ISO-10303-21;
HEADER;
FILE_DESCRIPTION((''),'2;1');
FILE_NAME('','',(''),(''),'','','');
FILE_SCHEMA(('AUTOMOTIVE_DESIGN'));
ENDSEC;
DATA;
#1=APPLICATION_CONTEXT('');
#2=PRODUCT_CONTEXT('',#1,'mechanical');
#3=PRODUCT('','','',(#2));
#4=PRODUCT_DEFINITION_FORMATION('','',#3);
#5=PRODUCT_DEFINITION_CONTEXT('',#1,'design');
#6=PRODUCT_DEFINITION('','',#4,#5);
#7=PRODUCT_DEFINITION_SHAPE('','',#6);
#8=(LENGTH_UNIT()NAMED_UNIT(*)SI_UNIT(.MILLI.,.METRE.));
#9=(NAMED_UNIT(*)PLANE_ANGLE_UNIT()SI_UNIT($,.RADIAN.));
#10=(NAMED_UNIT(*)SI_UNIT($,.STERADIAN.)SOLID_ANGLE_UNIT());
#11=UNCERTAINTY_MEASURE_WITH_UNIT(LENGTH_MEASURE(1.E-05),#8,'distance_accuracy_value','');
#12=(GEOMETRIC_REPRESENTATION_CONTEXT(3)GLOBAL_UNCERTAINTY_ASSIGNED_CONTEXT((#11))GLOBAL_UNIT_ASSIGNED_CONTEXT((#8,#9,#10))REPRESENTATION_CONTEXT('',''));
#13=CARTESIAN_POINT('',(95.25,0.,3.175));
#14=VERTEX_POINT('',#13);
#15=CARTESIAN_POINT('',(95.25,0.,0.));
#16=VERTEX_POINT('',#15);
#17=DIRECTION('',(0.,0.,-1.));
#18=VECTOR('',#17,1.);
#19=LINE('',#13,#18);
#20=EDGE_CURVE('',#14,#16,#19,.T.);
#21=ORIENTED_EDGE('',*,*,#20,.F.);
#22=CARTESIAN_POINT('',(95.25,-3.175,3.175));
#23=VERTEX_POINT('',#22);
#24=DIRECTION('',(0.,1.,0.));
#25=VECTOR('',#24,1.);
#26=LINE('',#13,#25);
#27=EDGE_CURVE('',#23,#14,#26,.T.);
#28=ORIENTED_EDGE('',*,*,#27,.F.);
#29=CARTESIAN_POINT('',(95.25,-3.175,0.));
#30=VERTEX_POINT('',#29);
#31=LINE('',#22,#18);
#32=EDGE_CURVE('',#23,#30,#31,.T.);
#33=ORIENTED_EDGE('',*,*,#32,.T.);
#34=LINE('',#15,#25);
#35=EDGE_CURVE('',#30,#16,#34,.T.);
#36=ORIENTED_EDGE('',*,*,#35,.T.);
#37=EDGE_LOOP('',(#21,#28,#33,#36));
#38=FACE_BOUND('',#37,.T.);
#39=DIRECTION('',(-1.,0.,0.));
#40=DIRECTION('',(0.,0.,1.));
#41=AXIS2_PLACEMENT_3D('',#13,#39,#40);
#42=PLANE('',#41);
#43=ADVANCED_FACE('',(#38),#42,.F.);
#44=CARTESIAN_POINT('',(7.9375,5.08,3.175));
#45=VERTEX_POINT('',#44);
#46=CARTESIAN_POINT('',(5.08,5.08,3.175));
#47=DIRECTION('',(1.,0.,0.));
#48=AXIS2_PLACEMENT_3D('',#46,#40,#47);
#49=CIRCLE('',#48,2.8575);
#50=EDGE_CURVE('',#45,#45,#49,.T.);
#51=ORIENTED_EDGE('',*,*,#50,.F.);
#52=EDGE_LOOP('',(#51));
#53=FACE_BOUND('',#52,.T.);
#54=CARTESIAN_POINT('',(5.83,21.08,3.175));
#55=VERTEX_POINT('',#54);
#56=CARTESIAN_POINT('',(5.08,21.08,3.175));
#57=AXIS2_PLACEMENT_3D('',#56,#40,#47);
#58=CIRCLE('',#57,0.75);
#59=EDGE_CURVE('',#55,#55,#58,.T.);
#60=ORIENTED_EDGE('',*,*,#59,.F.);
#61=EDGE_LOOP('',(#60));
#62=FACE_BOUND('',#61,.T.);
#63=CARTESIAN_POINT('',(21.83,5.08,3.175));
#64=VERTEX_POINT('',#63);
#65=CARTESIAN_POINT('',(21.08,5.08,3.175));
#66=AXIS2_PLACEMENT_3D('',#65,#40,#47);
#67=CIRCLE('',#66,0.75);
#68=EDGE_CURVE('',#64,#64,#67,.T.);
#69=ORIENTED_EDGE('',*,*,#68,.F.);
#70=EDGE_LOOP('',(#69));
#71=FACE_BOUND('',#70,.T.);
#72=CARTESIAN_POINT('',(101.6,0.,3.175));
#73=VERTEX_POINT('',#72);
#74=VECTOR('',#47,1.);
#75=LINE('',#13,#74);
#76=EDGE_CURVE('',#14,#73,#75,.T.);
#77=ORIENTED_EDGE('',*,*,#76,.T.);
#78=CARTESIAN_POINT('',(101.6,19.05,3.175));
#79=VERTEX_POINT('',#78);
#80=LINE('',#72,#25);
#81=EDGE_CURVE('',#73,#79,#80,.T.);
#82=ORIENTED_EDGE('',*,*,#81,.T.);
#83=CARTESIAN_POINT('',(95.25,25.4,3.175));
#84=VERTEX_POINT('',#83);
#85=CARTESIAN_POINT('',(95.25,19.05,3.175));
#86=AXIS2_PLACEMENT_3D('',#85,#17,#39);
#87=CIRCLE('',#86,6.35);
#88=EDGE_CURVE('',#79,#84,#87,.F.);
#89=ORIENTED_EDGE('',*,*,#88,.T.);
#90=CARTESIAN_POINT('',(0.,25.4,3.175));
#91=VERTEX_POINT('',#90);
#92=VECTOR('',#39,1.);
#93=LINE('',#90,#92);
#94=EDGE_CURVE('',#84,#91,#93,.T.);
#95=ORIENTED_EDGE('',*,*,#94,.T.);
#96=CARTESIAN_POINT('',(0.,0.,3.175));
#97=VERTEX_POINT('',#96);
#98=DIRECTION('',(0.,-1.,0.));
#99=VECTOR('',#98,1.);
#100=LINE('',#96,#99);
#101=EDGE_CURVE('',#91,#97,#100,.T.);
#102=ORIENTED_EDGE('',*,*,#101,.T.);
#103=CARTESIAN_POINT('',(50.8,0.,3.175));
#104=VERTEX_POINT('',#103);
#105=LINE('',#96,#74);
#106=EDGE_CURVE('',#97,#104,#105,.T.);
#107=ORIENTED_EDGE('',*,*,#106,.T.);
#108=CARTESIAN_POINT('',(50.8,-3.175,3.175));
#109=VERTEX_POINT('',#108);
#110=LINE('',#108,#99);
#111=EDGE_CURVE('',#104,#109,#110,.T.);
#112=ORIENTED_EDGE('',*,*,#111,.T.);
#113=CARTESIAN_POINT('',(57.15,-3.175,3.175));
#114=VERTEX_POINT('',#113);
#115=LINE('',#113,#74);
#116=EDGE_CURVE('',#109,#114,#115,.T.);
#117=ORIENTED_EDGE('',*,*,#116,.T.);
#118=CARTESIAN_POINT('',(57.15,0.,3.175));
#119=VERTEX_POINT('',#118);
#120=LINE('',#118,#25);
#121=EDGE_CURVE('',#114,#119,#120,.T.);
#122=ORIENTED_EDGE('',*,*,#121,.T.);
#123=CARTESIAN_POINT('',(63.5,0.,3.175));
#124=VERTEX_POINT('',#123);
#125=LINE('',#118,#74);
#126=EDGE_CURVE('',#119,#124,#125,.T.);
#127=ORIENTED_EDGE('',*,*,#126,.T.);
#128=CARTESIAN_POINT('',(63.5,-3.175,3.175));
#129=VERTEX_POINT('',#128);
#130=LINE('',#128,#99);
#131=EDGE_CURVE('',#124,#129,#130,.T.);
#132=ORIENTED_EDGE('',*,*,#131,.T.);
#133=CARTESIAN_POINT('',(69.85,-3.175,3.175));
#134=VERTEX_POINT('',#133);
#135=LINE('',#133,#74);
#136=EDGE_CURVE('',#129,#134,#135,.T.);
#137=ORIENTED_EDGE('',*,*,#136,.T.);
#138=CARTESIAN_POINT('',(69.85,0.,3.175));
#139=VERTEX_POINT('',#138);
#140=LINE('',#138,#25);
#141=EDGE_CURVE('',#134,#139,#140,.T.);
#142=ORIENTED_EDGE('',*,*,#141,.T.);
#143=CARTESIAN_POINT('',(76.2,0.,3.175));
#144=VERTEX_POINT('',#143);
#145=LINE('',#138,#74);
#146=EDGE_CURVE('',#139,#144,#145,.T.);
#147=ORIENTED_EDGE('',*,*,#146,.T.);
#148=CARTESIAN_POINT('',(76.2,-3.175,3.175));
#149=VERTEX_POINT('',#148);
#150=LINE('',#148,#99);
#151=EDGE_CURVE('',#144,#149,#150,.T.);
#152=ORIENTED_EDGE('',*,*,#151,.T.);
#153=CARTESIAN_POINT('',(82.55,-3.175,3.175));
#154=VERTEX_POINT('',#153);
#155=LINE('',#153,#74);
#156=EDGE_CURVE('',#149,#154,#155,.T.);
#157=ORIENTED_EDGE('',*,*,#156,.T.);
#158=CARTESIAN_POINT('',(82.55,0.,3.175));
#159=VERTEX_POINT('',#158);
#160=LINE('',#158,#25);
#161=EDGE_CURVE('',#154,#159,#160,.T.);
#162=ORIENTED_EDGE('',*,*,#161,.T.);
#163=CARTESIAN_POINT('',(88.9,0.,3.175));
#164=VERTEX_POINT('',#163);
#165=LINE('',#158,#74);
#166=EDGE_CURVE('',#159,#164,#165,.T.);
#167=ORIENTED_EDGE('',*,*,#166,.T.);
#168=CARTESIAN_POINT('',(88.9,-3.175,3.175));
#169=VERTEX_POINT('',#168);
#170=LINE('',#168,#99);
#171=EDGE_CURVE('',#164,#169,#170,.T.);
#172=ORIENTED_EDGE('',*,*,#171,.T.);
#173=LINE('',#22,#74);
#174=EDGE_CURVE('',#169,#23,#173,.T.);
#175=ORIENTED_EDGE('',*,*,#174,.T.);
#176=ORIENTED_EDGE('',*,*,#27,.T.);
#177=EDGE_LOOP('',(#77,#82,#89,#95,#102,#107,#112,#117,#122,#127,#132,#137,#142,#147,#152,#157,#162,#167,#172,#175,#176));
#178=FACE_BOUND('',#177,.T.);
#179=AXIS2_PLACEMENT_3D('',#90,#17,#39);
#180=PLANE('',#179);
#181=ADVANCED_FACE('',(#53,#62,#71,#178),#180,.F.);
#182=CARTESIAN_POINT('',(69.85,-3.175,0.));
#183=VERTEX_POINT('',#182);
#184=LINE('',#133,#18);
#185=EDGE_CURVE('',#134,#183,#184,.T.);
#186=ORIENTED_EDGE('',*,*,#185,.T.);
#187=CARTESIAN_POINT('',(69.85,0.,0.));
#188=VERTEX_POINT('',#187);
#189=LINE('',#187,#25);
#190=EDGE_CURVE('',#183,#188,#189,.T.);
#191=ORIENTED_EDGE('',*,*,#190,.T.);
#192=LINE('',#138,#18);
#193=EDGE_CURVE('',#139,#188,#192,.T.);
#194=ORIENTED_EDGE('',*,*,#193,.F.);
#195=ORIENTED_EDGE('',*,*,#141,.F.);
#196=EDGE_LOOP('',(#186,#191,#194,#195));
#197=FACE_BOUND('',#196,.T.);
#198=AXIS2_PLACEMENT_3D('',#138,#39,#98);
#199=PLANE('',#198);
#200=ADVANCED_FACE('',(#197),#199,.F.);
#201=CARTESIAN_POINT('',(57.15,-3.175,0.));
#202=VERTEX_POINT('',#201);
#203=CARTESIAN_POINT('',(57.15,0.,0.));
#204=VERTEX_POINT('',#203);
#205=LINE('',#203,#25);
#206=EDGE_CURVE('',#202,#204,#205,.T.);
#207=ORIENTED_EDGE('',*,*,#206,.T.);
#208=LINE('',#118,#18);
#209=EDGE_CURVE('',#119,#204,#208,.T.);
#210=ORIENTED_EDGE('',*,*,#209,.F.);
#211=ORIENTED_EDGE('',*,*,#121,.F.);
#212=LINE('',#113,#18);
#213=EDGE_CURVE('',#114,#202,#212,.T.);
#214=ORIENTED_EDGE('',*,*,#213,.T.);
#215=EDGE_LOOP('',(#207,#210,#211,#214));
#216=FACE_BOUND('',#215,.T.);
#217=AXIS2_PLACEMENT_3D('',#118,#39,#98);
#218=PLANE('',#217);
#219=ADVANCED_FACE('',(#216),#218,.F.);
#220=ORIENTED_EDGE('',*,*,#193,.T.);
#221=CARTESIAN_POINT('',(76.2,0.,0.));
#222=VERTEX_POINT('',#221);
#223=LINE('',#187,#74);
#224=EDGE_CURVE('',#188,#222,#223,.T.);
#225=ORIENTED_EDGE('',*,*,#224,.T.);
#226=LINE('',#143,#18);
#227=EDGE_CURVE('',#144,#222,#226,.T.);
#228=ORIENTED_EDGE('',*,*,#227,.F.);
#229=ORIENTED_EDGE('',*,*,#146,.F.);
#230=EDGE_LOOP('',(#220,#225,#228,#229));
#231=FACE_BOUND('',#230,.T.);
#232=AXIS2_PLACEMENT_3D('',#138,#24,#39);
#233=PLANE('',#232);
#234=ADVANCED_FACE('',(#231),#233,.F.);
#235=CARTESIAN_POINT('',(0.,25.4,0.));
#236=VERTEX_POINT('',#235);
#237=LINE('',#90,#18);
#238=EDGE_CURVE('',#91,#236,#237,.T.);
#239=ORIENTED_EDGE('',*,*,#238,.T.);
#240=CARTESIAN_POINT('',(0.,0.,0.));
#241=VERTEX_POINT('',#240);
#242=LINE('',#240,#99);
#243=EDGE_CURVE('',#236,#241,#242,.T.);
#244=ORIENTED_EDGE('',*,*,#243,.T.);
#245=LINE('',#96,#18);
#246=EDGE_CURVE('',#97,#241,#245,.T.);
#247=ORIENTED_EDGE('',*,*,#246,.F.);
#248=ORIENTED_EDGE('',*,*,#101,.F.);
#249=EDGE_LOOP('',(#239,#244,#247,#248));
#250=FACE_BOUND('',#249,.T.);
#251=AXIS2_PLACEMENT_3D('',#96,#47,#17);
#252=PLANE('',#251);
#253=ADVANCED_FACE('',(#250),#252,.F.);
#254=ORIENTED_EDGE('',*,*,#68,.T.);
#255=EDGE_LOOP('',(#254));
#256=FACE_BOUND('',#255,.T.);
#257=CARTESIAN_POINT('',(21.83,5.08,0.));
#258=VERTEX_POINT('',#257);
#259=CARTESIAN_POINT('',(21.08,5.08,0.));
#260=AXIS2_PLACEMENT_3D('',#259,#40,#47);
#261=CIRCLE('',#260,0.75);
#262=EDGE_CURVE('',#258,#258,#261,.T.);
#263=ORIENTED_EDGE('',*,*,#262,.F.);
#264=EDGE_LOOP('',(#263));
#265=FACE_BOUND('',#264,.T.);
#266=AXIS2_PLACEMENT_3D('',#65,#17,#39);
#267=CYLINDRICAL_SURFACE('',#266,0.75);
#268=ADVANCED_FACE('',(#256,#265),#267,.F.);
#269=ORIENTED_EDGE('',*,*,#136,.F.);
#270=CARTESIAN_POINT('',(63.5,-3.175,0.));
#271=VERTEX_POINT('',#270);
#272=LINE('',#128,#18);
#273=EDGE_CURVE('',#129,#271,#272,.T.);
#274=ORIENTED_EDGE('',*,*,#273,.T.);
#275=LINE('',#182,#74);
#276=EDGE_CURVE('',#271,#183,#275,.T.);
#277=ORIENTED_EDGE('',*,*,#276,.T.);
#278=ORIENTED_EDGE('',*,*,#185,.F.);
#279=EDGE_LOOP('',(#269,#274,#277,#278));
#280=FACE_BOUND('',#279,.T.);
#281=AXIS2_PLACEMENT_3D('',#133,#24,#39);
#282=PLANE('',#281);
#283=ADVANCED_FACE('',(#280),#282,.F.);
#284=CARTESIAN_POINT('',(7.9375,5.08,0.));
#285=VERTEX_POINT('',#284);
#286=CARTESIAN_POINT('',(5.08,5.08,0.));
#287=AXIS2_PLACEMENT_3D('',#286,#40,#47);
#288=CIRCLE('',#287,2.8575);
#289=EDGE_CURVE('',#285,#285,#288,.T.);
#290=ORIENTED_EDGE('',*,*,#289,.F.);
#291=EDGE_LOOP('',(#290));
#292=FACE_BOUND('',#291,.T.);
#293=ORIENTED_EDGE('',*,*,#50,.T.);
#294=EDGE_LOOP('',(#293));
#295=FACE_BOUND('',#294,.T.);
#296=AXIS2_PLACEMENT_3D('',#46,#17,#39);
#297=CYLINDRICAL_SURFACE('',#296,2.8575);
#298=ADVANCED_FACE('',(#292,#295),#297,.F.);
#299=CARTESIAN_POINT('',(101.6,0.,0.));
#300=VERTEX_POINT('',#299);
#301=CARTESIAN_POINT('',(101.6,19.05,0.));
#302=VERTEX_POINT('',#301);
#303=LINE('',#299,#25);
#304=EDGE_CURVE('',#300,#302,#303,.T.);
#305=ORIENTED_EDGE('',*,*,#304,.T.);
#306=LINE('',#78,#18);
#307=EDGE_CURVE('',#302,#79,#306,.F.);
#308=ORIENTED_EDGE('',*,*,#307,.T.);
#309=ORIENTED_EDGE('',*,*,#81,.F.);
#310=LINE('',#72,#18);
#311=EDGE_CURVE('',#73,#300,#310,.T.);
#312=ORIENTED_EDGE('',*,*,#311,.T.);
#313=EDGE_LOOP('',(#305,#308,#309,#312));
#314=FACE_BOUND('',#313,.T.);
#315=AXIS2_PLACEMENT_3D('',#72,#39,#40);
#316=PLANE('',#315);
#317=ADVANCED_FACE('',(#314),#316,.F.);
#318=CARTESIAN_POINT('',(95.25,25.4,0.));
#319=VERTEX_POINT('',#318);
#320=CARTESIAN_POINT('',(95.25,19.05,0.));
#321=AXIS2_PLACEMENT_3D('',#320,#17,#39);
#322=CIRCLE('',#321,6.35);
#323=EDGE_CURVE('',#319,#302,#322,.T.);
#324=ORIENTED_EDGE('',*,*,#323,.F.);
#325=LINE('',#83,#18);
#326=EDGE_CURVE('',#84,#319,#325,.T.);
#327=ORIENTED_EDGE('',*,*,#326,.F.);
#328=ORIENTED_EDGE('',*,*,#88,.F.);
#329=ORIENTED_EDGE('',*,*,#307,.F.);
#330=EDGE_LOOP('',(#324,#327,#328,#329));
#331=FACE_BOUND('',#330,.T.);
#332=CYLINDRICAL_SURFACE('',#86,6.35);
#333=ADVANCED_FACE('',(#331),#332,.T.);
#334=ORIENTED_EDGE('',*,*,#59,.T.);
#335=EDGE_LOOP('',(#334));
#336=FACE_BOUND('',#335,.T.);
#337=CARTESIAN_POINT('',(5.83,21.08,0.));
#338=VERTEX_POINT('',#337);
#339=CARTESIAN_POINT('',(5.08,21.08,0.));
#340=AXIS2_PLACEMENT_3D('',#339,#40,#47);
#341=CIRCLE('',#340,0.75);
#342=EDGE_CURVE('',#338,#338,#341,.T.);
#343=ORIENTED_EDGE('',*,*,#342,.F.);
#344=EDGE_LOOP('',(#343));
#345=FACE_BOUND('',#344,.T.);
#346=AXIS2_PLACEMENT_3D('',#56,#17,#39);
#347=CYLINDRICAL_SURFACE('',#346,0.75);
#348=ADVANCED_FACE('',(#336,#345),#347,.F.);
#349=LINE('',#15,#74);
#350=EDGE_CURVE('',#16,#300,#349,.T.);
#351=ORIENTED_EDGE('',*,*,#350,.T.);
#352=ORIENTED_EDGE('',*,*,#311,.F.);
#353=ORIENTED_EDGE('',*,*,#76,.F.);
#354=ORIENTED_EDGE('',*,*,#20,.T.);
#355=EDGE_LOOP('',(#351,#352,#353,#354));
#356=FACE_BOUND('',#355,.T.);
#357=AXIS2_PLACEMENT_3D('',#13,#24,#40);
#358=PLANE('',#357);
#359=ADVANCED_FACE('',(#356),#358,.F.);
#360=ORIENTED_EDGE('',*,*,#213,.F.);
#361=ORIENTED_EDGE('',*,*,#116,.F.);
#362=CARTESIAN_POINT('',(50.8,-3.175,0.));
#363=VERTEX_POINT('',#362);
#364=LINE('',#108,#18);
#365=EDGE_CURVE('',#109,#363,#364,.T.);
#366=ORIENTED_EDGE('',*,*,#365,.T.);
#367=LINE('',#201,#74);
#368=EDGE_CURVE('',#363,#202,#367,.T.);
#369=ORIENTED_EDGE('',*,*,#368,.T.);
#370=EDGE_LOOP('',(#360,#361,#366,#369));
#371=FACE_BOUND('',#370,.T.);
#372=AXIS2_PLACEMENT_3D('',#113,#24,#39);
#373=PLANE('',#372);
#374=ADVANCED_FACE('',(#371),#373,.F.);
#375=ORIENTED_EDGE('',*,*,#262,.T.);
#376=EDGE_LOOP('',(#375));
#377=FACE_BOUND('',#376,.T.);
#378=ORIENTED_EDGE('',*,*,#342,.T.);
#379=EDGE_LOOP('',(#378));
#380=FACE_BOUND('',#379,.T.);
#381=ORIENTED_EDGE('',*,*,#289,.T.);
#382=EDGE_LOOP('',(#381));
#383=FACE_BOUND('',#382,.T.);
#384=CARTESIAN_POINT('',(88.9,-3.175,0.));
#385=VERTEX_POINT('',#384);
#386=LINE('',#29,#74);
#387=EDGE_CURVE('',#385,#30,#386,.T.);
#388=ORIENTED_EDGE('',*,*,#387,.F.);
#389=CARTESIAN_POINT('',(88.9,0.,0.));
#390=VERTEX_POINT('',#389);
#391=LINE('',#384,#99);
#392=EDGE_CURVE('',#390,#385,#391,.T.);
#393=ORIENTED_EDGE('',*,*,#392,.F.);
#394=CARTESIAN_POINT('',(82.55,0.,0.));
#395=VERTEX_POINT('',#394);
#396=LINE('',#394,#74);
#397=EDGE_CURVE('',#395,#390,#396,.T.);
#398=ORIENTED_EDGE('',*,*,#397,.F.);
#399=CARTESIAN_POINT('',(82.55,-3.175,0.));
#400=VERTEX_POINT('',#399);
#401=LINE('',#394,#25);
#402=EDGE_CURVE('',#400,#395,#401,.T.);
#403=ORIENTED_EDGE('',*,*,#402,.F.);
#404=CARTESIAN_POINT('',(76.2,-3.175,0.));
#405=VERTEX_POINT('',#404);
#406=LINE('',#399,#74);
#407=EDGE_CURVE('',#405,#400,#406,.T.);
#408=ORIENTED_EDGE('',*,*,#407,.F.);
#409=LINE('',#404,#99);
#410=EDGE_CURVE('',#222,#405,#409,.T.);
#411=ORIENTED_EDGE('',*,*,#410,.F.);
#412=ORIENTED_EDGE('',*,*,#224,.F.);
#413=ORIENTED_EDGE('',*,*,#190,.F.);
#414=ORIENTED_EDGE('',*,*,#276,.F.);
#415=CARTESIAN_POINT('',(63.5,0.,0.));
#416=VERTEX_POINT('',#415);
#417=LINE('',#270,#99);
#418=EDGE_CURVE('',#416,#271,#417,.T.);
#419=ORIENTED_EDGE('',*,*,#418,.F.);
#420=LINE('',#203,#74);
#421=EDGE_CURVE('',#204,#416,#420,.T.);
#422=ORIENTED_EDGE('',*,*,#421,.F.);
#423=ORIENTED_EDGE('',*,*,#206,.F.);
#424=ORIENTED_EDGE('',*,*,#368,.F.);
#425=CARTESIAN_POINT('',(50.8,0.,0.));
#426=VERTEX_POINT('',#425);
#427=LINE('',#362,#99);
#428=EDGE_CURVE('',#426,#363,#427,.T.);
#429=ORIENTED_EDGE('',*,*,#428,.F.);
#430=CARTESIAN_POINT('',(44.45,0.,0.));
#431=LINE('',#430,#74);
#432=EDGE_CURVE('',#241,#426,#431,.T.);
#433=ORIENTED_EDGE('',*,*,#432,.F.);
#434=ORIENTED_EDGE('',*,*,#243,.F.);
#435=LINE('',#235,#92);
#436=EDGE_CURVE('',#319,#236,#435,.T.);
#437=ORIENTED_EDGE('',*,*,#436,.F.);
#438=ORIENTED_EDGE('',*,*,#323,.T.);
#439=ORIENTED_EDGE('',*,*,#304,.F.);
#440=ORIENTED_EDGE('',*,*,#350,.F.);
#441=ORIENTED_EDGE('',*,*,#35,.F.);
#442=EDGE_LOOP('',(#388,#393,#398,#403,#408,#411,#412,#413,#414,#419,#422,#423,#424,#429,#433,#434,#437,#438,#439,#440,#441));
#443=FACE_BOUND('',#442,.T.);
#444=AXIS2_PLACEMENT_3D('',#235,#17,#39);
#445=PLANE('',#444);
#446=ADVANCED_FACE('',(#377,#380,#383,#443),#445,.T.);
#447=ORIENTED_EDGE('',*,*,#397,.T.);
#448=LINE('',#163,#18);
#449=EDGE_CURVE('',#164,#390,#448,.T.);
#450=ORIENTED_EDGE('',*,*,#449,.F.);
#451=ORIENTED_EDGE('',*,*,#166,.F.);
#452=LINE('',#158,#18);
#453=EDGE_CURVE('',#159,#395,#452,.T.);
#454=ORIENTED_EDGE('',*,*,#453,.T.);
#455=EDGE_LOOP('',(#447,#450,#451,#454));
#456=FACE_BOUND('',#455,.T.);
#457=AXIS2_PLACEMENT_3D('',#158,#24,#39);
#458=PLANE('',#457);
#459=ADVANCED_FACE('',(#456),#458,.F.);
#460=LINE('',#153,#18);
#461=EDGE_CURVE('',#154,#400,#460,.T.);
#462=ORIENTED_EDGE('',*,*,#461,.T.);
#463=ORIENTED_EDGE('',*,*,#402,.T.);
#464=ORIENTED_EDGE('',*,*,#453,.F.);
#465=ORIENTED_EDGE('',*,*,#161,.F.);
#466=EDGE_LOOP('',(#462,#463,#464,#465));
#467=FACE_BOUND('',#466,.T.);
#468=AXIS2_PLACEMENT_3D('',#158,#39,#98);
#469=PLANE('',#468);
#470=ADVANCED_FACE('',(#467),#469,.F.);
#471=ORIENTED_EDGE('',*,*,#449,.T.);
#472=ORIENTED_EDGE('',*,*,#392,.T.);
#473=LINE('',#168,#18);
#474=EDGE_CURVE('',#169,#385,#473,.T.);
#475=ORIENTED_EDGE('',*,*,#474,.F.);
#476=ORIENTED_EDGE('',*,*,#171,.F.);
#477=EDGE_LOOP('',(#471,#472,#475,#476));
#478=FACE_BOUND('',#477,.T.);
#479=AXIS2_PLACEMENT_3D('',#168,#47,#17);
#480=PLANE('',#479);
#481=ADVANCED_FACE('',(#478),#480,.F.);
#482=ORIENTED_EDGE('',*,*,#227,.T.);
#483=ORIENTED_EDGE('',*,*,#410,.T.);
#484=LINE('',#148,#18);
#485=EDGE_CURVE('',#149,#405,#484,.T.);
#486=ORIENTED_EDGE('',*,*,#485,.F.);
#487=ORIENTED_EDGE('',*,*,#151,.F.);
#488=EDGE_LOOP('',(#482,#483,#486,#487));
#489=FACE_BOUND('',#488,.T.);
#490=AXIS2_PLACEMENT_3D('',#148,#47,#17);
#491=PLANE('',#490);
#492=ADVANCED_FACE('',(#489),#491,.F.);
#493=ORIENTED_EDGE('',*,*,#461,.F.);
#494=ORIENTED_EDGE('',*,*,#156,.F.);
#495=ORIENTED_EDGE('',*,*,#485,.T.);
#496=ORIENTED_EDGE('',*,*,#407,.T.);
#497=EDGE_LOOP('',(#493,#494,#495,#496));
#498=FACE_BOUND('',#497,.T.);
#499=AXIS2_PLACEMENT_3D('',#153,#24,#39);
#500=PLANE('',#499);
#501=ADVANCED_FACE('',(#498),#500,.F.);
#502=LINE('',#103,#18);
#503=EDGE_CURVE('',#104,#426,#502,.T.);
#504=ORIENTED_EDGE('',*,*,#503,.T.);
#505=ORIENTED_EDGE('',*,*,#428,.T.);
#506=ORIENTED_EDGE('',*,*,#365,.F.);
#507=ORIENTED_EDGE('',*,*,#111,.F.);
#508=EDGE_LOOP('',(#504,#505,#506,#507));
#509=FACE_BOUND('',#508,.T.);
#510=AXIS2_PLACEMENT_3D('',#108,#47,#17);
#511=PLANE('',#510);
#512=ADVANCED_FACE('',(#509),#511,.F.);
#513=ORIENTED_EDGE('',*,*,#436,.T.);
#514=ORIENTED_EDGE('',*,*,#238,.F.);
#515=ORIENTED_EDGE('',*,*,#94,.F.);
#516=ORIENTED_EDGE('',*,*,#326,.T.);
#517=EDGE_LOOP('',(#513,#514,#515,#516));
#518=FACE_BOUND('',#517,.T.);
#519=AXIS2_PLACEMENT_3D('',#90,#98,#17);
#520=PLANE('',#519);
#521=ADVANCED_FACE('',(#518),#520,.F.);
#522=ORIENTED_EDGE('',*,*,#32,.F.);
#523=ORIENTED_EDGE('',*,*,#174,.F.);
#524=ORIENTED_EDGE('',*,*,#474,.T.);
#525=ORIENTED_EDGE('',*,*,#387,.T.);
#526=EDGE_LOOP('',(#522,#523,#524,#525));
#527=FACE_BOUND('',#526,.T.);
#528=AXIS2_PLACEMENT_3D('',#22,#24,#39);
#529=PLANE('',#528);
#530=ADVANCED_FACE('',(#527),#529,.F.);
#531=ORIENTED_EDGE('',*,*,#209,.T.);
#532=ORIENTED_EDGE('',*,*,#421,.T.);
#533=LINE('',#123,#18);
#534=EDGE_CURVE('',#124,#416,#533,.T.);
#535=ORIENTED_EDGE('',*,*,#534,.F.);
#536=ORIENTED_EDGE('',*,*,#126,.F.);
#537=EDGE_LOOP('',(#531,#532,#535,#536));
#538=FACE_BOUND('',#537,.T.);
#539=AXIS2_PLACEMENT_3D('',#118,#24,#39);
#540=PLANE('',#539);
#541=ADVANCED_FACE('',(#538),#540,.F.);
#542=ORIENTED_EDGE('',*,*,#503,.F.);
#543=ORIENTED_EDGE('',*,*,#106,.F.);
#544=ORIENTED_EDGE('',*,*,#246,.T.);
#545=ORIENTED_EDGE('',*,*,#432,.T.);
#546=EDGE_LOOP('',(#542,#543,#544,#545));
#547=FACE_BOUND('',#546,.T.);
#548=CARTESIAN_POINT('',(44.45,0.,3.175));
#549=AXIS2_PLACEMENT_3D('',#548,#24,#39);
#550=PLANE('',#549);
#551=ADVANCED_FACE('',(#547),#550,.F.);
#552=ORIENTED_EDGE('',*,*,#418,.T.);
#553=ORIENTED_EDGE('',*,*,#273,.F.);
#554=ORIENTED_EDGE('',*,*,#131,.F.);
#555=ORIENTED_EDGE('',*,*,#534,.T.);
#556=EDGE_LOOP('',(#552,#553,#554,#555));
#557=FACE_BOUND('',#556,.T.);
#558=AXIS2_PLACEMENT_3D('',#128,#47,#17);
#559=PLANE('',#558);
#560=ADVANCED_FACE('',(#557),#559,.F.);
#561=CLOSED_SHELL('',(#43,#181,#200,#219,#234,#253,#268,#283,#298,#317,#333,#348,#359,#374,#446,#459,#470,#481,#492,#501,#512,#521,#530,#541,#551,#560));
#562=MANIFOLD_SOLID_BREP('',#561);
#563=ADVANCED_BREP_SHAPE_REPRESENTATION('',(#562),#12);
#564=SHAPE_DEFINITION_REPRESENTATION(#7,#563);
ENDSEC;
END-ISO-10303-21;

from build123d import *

# Parameters (mm, degrees)
SKETCH1_R           = 2.8575
SKETCH1_R_2         = 0.75
BOSS_EXTRUDE1_DEPTH = 3.175
FILLET1_R           = 6.35


with BuildPart() as part:
    # Sketch1 → Boss-Extrude1 (new body)
    with BuildSketch(Plane.XY):
        Polygon((95.25, 0), (95.25, -3.175), (88.9, -3.175), (88.9, 0), (82.55, 0), (82.55, -3.175), (76.2, -3.175), (76.2, 0), (69.85, 0), (69.85, -3.175), (63.5, -3.175), (63.5, 0), (57.15, 0), (57.15, -3.175), (50.8, -3.175), (50.8, 0), (44.45, 0), (0, 0), (0, 25.4), (101.6, 25.4), (101.6, 0), align=None)
        with Locations((5.08, 5.08)):
            Circle(SKETCH1_R, mode=Mode.SUBTRACT)
        with Locations((5.08, 21.08)):
            Circle(SKETCH1_R_2, mode=Mode.SUBTRACT)
        with Locations((21.08, 5.08)):
            Circle(SKETCH1_R_2, mode=Mode.SUBTRACT)
    extrude(amount=BOSS_EXTRUDE1_DEPTH)

    # Fillet1
    fillet1_edges = [part.edges().sort_by_distance(p)[0] for p in [
        (101.6, 25.4, 1.5875),
    ]]
    fillet(fillet1_edges, radius=FILLET1_R)


solid = part.part
